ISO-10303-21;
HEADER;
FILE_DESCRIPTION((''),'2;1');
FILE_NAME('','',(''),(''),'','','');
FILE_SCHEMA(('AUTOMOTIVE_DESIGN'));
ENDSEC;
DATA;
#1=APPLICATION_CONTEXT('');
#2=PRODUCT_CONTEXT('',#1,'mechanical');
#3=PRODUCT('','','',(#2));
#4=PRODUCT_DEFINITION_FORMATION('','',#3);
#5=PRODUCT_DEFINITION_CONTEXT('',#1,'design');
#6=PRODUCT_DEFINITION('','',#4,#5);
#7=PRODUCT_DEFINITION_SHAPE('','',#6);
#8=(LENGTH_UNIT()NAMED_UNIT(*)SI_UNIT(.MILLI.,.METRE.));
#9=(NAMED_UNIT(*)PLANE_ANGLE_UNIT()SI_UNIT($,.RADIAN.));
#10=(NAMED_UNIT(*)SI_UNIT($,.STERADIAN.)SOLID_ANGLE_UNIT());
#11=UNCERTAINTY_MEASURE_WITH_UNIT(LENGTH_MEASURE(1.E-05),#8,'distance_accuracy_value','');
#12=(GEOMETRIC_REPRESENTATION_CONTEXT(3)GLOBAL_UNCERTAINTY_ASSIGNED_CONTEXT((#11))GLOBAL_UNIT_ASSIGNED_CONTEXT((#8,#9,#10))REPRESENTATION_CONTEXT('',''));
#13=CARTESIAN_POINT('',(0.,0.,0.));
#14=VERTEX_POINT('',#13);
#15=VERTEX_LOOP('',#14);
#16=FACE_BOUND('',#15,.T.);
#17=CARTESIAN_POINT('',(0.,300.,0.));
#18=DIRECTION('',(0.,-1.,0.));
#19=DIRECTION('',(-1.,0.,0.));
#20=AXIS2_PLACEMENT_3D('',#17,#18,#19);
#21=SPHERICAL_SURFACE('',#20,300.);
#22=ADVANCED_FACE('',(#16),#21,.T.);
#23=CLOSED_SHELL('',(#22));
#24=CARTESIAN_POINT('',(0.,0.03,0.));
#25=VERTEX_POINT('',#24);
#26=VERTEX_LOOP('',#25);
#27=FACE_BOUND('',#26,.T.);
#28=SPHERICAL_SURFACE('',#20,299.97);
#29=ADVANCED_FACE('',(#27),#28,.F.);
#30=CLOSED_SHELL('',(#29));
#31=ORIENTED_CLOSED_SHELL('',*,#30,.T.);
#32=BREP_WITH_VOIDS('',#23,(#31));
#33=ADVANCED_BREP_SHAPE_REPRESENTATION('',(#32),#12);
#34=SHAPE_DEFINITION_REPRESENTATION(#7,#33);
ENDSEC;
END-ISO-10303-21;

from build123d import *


with BuildPart() as part:
    # Sketch2 → Revolve-Thin1 (revolve)
    with BuildSketch(Plane.XY):
        with BuildLine():
            ThreePointArc((0, 600), (300, 300), (0, 0))
            Line((0, 0), (0, 0.03))
            ThreePointArc((0, 0.03), (299.97, 300), (0, 599.97))
            Line((0, 599.97), (0, 600))
        make_face()
    revolve(axis=Axis((0, 0, 0), (0, 1, 0)))


solid = part.part
